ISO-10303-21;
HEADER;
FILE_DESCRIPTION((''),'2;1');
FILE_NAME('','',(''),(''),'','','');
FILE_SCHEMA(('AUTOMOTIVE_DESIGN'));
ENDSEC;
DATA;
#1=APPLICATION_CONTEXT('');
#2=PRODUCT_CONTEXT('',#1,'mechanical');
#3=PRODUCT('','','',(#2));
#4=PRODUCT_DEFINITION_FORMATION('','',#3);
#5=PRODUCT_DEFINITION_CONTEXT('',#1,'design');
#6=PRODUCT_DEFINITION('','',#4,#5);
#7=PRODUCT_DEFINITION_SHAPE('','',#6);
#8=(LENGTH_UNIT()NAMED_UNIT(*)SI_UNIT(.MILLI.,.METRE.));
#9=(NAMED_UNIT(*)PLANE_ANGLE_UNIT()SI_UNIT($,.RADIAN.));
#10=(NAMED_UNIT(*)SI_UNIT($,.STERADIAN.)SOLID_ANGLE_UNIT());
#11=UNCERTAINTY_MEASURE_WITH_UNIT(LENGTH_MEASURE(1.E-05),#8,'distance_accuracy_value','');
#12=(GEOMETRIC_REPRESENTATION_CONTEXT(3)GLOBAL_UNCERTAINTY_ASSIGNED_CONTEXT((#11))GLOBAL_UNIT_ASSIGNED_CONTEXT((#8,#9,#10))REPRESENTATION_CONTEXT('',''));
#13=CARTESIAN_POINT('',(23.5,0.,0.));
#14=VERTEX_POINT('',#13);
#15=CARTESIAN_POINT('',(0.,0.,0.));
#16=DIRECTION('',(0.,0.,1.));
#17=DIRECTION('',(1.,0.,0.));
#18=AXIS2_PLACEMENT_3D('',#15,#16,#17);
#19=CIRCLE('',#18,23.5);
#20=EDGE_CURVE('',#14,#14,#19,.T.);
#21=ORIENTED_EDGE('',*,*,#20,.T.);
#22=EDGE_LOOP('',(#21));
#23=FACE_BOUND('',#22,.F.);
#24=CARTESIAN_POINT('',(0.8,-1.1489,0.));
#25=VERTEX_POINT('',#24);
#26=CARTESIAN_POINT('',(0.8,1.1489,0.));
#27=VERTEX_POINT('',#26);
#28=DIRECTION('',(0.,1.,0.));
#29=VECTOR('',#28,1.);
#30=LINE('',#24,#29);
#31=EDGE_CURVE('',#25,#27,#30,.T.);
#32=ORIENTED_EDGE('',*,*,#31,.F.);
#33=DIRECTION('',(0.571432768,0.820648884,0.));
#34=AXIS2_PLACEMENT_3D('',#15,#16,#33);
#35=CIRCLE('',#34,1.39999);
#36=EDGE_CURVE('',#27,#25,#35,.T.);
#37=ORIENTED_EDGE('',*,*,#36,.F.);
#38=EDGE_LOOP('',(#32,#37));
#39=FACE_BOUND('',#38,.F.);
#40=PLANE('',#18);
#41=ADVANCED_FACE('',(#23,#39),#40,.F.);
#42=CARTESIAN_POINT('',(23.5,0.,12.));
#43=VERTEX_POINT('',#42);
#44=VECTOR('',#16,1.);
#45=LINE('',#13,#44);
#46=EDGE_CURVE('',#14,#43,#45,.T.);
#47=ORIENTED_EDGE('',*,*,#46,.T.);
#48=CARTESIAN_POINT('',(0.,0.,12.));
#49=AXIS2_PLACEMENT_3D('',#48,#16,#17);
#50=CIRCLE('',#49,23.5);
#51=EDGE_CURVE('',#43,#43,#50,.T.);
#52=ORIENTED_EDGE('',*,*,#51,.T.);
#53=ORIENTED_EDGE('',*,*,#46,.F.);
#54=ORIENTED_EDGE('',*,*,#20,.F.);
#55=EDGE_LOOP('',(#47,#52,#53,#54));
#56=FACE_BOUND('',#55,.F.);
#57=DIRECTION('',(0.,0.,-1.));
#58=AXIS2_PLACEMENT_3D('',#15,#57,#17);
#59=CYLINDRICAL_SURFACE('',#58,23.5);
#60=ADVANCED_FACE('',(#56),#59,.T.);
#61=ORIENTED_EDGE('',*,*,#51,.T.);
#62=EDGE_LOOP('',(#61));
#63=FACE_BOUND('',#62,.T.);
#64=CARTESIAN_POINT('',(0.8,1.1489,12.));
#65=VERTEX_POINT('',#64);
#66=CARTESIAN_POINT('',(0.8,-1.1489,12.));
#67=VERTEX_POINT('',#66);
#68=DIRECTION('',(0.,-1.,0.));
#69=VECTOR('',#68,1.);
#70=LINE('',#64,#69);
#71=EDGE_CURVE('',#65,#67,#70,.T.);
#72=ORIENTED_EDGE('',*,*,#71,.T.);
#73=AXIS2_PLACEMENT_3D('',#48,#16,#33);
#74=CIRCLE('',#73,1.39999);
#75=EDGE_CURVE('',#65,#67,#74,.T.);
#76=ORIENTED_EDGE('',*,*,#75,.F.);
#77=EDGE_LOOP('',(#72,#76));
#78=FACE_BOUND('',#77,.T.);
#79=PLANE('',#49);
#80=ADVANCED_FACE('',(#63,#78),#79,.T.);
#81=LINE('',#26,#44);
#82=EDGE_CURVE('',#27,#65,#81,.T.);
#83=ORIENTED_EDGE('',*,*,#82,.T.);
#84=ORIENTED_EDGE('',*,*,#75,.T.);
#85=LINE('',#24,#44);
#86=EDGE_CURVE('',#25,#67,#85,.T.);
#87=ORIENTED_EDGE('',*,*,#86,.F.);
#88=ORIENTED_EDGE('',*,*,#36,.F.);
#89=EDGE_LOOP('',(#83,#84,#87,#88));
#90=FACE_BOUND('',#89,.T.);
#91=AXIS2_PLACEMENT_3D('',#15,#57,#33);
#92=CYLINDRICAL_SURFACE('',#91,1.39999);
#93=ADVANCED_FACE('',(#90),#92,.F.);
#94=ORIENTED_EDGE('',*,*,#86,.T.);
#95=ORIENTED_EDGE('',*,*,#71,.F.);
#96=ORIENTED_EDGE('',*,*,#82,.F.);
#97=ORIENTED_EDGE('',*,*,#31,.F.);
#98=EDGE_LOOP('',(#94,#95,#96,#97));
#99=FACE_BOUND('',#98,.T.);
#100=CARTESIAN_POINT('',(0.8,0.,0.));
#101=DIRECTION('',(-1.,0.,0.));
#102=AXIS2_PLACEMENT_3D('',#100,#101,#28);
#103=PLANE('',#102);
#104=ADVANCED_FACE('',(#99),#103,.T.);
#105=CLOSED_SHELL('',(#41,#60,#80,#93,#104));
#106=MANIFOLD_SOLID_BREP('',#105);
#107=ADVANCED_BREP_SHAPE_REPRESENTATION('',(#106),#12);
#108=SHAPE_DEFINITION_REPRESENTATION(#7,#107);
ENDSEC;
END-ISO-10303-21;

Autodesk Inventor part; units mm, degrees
ref_plane "YZ Plane" through (0, 0, 0) normal (1, 0, 0) x (0, 1, 0)
ref_plane "XZ Plane" through (0, 0, 0) normal (0, 1, 0) x (-1, 0, 0)
ref_plane "XY Plane" through (0, 0, 0) normal (0, 0, 1) x (1, 0, 0)
ref_plane "Work Plane2" through (0, 0, 0) normal (0, 0, 1) x (1, 0, 0)
sketch "Wheel Sketch" plane through (0, 0, 0) normal (0, 0, 1) x (1, 0, 0)
  circle A0 centre (0, 0) radius 23.5
  dimension "d0" = 47
extrude "Extrusion1" add sketch "Wheel Sketch" along normal blind 12
sketch "Sketch2" plane through (0, 0, 0) normal (0, 0, 1) x (1, 0, 0)
  arc A0 (0.8, 1.1489) -> (0.8, -1.1489) centre (0, 0) ccw
  line L0 (0.8, 0) -> (0.8, 1.1489)
  line L1 (0.8, 0) -> (0.8, -1.1489)
extrude "Extrusion2" cut sketch "Sketch2" along normal blind 12
properties part number "Wheel"
